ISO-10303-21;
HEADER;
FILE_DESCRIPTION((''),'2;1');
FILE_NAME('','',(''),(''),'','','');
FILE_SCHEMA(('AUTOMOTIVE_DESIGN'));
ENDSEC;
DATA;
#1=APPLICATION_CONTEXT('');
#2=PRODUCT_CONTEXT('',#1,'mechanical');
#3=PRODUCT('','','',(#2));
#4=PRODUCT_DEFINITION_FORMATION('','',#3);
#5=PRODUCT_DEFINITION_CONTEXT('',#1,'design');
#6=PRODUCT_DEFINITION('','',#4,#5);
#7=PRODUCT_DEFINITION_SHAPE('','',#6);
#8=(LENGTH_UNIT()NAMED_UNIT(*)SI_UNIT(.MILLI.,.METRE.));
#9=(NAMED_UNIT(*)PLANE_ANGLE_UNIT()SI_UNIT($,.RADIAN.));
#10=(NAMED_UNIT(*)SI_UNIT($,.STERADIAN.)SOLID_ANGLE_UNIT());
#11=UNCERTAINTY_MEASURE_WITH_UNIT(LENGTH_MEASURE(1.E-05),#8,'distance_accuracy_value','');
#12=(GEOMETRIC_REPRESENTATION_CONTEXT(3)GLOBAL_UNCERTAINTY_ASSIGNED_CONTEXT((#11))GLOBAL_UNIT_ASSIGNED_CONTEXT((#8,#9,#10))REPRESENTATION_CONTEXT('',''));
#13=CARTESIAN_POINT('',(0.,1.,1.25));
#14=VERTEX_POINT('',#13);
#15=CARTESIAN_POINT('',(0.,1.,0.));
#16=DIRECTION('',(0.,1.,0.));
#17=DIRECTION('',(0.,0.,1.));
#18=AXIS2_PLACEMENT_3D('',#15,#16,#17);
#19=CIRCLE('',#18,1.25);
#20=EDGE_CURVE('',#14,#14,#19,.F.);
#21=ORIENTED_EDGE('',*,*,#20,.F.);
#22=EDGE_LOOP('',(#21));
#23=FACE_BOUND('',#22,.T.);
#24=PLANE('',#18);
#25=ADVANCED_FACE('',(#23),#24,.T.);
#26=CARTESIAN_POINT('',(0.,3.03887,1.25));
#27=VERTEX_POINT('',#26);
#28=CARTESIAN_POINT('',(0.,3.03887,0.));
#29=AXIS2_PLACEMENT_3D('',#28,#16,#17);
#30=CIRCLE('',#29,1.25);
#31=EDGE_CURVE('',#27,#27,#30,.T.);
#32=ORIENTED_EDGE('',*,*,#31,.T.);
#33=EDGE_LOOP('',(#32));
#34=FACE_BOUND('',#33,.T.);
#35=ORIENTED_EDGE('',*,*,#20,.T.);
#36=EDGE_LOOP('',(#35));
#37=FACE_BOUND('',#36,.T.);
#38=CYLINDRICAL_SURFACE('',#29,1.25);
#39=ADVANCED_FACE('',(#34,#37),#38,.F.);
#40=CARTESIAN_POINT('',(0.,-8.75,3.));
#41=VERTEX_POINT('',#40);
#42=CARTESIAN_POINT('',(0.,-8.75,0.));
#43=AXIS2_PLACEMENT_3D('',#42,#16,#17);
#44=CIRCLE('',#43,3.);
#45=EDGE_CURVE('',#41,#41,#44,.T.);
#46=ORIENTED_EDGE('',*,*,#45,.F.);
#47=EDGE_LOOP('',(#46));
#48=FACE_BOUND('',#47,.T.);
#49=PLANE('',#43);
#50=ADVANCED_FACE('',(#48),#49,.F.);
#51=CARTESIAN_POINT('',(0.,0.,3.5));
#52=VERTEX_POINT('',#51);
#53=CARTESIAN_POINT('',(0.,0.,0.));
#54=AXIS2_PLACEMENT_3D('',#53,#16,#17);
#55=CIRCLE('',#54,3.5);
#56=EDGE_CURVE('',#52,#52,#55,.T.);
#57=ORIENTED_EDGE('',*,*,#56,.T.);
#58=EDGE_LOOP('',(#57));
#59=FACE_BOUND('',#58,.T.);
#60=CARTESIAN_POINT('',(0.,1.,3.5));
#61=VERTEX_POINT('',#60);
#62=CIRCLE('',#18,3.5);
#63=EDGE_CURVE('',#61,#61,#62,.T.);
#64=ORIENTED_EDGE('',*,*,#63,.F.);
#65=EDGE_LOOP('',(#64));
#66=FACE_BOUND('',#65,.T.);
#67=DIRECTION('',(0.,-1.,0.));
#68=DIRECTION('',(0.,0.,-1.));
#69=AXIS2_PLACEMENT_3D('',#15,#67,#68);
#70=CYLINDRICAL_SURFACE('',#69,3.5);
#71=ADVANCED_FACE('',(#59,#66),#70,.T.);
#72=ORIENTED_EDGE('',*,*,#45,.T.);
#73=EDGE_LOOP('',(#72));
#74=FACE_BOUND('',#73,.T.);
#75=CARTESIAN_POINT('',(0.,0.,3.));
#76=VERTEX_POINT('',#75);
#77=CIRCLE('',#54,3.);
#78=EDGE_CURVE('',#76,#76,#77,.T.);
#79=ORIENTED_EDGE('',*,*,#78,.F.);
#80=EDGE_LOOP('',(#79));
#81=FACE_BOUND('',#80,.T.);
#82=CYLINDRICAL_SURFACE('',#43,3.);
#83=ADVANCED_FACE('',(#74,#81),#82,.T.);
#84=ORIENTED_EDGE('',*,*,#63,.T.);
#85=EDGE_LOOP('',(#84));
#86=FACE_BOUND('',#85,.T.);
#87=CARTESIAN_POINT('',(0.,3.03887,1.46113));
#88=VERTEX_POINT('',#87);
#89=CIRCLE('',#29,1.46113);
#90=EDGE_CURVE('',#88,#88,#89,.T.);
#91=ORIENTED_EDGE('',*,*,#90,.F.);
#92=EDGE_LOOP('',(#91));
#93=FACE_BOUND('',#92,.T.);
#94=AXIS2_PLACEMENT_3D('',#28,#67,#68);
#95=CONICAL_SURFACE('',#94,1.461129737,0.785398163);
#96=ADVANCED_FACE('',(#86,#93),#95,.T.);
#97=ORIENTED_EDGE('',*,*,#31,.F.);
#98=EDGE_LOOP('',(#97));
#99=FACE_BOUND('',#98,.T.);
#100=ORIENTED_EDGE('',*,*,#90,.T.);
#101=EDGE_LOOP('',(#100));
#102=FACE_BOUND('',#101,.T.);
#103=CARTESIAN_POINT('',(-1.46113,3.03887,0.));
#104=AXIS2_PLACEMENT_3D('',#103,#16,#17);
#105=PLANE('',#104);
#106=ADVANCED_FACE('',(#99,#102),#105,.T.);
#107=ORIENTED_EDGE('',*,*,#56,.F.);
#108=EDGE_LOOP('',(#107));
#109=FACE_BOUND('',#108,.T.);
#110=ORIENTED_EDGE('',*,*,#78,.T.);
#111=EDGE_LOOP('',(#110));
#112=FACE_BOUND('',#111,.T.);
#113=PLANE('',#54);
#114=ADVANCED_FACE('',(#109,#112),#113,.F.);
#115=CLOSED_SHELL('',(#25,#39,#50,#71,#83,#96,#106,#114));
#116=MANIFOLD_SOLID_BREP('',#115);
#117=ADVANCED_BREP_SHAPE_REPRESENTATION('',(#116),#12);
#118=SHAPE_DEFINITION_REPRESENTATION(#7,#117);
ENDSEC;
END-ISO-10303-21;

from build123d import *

# Parameters (mm, degrees)
SKETCH2_R           = 3
BOSS_EXTRUDE1_DEPTH = 8.75
SKETCH5_R           = 3.5
BOSS_EXTRUDE4_DEPTH = 1


with BuildPart() as part:
    # Sketch2 → Boss-Extrude1 (new body)
    with BuildSketch(Plane(origin=(0, 0, 0), x_dir=(1, 0, 0), z_dir=(0, 1, 0))):
        with Locations(Location((0, 0, 0), (0, 0, 270))):
            Circle(SKETCH2_R)
    extrude(amount=-BOSS_EXTRUDE1_DEPTH)

    # Sketch5 → Boss-Extrude4 (add)
    with BuildSketch(Plane(origin=(0, 0, 0), x_dir=(1, 0, 0), z_dir=(0, 1, 0))):
        with Locations(Location((0, 0, 0), (0, 0, 270))):
            Circle(SKETCH5_R)
    extrude(amount=BOSS_EXTRUDE4_DEPTH)

    # Sketch6 → Revolve1 (revolve)
    with BuildSketch(Plane.XY, mode=Mode.PRIVATE) as revolve1_sk:
        Polygon((-3.5, 1), (-1.461129737, 3.038870263), (-1.25, 3.038870263), (-1.25, 1), align=None)
    revolve(revolve1_sk.sketch.rotate(Axis((0, 3.038870263, 0), (0, -1, 0)), 270), axis=Axis((0, 3.038870263, 0), (0, -1, 0)))


solid = part.part
